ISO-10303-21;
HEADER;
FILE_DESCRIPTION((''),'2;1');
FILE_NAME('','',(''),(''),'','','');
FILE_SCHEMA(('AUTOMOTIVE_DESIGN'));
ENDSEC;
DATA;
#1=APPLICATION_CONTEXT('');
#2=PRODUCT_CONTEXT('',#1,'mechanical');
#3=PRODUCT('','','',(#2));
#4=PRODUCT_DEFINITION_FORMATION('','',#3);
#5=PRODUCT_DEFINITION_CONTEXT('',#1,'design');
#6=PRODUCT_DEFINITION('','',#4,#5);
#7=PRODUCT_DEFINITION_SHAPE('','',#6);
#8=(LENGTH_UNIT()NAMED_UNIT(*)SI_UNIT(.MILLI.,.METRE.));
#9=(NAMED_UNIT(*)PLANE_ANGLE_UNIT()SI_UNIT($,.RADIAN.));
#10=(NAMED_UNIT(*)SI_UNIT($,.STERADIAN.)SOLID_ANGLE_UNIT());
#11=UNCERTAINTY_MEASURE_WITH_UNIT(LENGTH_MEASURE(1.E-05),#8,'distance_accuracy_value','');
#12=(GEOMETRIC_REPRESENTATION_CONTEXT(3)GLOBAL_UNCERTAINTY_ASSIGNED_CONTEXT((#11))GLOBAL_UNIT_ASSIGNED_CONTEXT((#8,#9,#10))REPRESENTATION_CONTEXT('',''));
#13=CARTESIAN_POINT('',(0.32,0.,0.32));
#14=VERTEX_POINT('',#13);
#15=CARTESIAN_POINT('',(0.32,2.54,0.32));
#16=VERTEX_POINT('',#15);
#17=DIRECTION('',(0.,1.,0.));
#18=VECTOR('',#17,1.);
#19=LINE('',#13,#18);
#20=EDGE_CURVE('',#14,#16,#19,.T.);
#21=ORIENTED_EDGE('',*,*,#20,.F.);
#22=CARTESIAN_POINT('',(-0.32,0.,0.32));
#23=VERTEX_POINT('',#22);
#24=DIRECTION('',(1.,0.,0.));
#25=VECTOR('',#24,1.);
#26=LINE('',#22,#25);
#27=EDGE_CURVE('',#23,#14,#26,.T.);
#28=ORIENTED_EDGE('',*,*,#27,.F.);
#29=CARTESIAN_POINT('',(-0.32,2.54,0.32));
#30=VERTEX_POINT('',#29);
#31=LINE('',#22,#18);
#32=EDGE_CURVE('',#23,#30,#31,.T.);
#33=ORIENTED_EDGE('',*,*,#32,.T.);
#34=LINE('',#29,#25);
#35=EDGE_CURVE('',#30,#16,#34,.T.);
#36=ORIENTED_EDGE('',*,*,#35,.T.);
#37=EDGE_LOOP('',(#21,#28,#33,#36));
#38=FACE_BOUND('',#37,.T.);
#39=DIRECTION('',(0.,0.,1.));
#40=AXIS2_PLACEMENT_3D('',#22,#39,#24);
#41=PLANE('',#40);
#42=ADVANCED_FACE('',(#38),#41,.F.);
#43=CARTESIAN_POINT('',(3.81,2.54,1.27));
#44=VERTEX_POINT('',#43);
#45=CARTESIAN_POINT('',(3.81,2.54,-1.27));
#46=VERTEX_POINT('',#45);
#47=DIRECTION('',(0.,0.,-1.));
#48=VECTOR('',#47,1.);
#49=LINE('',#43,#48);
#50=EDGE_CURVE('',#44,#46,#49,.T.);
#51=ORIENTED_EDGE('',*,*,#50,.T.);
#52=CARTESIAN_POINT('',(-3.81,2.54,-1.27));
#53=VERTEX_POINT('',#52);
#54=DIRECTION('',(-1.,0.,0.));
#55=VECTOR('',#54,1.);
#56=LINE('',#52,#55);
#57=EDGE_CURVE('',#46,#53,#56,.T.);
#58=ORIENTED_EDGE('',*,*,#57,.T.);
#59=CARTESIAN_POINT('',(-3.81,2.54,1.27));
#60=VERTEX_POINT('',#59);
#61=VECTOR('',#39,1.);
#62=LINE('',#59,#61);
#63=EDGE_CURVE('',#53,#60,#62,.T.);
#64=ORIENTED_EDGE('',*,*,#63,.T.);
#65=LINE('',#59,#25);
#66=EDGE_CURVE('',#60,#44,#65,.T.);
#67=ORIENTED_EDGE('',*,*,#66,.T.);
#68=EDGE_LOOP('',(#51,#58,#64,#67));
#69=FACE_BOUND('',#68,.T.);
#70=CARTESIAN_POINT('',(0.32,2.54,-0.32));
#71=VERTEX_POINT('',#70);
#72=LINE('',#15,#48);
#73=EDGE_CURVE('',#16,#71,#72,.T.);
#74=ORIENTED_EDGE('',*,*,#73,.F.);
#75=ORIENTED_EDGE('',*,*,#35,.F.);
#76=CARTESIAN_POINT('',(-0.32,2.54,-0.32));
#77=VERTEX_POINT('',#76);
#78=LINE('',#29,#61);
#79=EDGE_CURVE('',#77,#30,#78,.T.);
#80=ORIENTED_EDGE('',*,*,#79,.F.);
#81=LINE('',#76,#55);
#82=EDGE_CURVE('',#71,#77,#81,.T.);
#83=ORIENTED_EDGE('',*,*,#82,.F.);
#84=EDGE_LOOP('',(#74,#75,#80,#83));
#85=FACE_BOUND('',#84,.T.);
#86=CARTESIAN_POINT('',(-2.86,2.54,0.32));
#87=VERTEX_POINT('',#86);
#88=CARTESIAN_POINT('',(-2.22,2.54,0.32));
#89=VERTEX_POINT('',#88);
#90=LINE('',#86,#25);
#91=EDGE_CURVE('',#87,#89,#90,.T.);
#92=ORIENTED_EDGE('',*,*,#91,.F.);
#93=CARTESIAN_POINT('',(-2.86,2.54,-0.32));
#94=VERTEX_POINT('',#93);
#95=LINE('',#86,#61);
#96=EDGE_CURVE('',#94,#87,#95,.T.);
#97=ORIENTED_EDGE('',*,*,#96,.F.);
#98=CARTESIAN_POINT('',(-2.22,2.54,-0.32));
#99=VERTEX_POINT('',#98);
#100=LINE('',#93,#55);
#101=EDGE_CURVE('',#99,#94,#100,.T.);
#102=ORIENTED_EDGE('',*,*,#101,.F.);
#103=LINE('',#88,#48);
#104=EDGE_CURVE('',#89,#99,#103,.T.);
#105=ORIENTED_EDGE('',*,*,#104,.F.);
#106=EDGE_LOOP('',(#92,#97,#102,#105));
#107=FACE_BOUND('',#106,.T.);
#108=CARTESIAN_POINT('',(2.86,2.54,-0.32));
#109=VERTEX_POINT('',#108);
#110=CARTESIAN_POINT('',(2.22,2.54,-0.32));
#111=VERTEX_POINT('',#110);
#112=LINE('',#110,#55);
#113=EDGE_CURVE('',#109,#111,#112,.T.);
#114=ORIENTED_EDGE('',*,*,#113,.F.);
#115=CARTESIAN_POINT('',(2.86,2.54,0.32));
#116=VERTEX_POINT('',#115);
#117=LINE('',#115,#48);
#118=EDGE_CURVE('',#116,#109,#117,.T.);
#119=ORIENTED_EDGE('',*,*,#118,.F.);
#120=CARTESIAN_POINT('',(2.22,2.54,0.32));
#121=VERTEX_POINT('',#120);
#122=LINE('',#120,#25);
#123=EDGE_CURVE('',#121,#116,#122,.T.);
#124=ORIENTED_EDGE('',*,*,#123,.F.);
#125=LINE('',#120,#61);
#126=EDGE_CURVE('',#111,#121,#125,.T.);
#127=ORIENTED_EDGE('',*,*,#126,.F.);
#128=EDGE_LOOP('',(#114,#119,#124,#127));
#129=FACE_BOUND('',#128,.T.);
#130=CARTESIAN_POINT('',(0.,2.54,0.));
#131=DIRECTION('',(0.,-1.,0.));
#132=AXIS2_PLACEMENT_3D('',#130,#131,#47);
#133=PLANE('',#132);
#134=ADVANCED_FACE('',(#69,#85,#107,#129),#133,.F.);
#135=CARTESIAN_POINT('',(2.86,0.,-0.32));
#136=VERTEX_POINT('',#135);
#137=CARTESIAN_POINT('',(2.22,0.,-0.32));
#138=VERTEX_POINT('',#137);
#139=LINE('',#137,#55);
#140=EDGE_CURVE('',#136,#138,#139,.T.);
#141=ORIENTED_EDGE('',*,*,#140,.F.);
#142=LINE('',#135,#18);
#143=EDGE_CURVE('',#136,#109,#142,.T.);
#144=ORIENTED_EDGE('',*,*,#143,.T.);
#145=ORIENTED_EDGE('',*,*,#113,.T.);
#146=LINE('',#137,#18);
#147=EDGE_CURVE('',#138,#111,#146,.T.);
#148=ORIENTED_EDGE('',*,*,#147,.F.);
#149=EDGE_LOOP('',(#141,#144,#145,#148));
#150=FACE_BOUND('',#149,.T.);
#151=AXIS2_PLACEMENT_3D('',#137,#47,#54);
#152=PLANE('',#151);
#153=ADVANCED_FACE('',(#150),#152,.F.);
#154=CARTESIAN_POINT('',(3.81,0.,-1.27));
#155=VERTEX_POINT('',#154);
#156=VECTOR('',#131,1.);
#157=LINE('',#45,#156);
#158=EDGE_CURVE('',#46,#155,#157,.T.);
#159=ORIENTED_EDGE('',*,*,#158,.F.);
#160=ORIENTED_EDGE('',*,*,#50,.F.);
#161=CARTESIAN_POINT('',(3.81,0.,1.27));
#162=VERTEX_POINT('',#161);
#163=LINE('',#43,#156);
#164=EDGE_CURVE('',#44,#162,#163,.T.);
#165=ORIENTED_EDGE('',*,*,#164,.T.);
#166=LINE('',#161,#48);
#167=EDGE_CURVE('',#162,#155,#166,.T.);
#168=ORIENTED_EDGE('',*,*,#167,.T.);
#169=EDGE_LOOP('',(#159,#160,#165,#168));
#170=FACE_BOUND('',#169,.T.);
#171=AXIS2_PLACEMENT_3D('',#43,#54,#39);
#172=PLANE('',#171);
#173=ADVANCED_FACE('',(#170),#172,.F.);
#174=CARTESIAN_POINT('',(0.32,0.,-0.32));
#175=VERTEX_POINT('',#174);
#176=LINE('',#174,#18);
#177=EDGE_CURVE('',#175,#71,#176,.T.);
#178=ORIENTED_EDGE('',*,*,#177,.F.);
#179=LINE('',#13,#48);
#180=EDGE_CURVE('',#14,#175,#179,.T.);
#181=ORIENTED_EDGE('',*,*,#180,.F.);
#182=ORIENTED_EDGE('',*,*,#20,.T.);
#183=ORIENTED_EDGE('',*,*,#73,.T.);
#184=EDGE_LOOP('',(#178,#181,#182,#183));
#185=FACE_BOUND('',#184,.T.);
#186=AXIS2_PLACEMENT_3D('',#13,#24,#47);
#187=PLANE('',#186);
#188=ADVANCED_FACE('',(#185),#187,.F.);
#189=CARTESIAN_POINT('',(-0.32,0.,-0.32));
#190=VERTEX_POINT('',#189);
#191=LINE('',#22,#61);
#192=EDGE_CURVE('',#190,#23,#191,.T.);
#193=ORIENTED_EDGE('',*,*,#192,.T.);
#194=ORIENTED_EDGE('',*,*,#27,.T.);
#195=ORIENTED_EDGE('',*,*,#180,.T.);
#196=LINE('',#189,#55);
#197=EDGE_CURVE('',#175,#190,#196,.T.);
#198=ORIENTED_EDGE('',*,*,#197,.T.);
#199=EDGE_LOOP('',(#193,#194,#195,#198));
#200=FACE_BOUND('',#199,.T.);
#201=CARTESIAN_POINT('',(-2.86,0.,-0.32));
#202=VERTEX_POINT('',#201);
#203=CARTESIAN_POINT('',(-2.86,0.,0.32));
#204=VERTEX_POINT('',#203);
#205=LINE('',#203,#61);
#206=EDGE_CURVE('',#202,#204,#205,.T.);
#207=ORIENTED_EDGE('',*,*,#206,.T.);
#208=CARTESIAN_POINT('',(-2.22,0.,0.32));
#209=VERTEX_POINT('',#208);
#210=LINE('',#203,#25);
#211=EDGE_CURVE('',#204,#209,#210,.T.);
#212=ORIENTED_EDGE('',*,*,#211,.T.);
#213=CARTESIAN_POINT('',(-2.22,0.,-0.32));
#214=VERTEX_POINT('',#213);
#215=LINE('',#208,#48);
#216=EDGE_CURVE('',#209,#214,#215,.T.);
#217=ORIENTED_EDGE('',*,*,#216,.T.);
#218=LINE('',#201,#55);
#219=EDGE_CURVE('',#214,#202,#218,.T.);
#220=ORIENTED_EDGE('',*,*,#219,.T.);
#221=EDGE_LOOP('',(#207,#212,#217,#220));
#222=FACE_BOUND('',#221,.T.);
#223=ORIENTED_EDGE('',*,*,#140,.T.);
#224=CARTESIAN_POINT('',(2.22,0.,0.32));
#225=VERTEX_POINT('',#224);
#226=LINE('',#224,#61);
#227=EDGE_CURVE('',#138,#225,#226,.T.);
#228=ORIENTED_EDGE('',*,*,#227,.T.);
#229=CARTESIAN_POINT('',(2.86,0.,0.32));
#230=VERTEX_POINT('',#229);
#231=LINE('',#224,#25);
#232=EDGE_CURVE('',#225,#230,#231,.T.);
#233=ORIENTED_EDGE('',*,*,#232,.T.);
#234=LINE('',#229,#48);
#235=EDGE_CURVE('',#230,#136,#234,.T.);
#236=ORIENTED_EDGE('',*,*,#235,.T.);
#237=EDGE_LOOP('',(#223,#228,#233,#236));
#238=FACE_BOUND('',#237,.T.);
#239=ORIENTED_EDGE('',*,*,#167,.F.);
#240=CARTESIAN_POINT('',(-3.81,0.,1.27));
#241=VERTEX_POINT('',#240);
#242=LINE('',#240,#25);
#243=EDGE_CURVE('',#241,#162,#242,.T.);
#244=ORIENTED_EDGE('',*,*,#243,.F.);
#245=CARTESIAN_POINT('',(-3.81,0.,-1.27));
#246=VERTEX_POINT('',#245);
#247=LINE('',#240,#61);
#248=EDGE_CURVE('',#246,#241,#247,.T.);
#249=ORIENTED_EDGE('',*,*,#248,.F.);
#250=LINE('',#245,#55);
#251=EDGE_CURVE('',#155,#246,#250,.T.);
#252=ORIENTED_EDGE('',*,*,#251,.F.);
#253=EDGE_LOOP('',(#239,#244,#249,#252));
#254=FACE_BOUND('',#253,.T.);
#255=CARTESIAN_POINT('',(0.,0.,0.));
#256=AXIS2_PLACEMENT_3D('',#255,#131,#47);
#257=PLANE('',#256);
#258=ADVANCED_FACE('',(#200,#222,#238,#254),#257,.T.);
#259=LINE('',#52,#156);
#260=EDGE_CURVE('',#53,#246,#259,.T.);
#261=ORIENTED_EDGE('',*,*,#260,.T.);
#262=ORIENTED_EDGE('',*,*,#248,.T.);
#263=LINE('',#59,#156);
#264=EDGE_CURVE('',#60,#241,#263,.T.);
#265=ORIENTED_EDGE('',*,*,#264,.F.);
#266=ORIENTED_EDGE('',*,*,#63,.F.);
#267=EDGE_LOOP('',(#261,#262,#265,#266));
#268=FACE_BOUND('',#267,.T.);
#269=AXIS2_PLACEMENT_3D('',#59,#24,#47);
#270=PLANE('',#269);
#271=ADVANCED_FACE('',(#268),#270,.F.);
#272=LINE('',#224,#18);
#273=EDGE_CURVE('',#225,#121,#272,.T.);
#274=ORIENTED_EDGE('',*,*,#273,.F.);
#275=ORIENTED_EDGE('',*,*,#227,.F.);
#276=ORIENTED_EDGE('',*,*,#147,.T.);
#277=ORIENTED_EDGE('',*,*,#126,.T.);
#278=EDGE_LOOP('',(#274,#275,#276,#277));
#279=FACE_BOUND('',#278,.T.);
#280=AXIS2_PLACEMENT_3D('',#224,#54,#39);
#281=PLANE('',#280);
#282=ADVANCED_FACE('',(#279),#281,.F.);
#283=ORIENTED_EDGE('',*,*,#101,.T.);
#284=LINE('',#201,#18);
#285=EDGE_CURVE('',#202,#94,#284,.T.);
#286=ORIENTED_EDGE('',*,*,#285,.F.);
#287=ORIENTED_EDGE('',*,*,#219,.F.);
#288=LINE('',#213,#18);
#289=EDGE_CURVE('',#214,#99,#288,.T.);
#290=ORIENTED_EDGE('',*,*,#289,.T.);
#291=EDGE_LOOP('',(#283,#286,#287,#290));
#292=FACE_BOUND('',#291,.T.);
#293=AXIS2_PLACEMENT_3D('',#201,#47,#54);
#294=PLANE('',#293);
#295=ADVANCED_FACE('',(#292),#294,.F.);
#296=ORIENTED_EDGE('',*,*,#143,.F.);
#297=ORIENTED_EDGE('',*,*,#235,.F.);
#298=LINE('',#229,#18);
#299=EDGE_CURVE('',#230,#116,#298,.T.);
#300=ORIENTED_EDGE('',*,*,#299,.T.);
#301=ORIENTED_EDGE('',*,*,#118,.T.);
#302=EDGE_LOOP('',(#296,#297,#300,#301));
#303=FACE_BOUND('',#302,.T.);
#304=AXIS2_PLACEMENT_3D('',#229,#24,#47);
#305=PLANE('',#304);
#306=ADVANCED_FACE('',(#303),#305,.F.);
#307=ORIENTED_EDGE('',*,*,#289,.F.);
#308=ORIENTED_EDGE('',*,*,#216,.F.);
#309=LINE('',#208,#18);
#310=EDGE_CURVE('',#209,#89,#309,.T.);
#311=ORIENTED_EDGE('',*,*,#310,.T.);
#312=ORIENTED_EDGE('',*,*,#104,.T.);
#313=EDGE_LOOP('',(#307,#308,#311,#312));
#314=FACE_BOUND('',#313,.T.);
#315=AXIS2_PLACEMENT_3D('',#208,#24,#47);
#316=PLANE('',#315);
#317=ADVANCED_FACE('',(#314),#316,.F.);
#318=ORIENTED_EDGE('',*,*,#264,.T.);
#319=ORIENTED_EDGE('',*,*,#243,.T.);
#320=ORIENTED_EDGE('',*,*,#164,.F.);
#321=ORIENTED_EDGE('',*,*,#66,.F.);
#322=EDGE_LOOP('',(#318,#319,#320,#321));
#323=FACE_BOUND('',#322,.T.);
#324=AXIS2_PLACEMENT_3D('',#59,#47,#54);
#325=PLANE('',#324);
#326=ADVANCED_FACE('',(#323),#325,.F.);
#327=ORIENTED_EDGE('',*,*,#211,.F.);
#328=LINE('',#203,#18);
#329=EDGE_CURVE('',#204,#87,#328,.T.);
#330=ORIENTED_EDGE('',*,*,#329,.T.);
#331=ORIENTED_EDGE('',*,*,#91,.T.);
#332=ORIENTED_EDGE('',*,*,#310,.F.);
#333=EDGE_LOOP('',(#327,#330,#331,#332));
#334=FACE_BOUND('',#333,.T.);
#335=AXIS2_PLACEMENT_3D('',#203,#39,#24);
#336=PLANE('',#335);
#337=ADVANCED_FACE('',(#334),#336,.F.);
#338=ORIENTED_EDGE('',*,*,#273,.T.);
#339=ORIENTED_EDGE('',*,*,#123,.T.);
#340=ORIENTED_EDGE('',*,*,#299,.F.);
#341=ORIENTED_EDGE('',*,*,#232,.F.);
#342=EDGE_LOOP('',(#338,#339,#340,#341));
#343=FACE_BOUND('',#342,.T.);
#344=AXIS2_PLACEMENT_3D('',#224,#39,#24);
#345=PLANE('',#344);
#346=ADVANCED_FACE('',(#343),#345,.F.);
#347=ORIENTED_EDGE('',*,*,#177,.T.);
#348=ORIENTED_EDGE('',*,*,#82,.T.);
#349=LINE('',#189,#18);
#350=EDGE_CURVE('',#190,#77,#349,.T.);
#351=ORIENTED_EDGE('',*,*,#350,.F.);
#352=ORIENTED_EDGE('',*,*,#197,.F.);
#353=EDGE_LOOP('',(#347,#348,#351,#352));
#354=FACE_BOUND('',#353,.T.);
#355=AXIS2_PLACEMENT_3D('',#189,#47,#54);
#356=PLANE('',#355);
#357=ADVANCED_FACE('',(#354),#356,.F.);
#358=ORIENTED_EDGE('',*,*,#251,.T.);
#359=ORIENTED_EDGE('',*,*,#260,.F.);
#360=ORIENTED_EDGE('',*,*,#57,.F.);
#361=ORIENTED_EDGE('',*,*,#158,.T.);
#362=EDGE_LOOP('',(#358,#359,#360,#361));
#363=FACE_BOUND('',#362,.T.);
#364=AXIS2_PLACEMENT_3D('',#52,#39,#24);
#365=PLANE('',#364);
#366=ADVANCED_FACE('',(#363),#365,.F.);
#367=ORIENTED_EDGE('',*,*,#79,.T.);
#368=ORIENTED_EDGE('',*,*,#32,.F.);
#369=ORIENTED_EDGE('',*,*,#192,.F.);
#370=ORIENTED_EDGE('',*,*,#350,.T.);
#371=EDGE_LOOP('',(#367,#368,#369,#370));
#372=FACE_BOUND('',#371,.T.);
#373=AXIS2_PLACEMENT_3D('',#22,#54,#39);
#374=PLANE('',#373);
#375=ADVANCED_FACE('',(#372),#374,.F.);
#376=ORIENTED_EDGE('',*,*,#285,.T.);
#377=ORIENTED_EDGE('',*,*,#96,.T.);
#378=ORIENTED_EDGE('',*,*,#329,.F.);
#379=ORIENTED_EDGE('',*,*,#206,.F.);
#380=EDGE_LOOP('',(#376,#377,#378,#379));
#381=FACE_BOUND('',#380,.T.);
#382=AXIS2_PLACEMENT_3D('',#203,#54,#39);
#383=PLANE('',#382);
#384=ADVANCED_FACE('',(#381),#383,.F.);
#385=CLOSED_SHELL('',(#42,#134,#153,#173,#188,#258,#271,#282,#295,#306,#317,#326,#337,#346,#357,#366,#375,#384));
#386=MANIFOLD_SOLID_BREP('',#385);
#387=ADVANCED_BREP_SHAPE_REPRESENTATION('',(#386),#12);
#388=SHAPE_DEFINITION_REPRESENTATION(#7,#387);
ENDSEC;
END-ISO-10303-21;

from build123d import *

# Parameters (mm, degrees)
SKETCH2_W           = 7.62
SKETCH2_H           = 2.54
BOSS_EXTRUDE1_DEPTH = 2.54
SKETCH3_W           = 0.64
SKETCH3_H           = 0.64
CUT_EXTRUDE1_DEPTH  = 5.751904881


with BuildPart() as part:
    # Sketch2 → Boss-Extrude1 (new body)
    with BuildSketch(Plane(origin=(0, 0, 0), x_dir=(1, 0, 0), z_dir=(0, 1, 0))):
        Rectangle(SKETCH2_W, SKETCH2_H)
    extrude(amount=BOSS_EXTRUDE1_DEPTH)

    # Sketch3 → Cut-Extrude1 (cut, through all)
    with BuildSketch(Plane(origin=(0, 2.54, 0), x_dir=(1, 0, 0), z_dir=(0, 1, 0))):
        Rectangle(SKETCH3_W, SKETCH3_H)
        with Locations((-2.54, 0)):
            Rectangle(SKETCH3_W, SKETCH3_H)
        with Locations((2.54, 0)):
            Rectangle(SKETCH3_W, SKETCH3_H)
    extrude(amount=-CUT_EXTRUDE1_DEPTH, mode=Mode.SUBTRACT)


solid = part.part
